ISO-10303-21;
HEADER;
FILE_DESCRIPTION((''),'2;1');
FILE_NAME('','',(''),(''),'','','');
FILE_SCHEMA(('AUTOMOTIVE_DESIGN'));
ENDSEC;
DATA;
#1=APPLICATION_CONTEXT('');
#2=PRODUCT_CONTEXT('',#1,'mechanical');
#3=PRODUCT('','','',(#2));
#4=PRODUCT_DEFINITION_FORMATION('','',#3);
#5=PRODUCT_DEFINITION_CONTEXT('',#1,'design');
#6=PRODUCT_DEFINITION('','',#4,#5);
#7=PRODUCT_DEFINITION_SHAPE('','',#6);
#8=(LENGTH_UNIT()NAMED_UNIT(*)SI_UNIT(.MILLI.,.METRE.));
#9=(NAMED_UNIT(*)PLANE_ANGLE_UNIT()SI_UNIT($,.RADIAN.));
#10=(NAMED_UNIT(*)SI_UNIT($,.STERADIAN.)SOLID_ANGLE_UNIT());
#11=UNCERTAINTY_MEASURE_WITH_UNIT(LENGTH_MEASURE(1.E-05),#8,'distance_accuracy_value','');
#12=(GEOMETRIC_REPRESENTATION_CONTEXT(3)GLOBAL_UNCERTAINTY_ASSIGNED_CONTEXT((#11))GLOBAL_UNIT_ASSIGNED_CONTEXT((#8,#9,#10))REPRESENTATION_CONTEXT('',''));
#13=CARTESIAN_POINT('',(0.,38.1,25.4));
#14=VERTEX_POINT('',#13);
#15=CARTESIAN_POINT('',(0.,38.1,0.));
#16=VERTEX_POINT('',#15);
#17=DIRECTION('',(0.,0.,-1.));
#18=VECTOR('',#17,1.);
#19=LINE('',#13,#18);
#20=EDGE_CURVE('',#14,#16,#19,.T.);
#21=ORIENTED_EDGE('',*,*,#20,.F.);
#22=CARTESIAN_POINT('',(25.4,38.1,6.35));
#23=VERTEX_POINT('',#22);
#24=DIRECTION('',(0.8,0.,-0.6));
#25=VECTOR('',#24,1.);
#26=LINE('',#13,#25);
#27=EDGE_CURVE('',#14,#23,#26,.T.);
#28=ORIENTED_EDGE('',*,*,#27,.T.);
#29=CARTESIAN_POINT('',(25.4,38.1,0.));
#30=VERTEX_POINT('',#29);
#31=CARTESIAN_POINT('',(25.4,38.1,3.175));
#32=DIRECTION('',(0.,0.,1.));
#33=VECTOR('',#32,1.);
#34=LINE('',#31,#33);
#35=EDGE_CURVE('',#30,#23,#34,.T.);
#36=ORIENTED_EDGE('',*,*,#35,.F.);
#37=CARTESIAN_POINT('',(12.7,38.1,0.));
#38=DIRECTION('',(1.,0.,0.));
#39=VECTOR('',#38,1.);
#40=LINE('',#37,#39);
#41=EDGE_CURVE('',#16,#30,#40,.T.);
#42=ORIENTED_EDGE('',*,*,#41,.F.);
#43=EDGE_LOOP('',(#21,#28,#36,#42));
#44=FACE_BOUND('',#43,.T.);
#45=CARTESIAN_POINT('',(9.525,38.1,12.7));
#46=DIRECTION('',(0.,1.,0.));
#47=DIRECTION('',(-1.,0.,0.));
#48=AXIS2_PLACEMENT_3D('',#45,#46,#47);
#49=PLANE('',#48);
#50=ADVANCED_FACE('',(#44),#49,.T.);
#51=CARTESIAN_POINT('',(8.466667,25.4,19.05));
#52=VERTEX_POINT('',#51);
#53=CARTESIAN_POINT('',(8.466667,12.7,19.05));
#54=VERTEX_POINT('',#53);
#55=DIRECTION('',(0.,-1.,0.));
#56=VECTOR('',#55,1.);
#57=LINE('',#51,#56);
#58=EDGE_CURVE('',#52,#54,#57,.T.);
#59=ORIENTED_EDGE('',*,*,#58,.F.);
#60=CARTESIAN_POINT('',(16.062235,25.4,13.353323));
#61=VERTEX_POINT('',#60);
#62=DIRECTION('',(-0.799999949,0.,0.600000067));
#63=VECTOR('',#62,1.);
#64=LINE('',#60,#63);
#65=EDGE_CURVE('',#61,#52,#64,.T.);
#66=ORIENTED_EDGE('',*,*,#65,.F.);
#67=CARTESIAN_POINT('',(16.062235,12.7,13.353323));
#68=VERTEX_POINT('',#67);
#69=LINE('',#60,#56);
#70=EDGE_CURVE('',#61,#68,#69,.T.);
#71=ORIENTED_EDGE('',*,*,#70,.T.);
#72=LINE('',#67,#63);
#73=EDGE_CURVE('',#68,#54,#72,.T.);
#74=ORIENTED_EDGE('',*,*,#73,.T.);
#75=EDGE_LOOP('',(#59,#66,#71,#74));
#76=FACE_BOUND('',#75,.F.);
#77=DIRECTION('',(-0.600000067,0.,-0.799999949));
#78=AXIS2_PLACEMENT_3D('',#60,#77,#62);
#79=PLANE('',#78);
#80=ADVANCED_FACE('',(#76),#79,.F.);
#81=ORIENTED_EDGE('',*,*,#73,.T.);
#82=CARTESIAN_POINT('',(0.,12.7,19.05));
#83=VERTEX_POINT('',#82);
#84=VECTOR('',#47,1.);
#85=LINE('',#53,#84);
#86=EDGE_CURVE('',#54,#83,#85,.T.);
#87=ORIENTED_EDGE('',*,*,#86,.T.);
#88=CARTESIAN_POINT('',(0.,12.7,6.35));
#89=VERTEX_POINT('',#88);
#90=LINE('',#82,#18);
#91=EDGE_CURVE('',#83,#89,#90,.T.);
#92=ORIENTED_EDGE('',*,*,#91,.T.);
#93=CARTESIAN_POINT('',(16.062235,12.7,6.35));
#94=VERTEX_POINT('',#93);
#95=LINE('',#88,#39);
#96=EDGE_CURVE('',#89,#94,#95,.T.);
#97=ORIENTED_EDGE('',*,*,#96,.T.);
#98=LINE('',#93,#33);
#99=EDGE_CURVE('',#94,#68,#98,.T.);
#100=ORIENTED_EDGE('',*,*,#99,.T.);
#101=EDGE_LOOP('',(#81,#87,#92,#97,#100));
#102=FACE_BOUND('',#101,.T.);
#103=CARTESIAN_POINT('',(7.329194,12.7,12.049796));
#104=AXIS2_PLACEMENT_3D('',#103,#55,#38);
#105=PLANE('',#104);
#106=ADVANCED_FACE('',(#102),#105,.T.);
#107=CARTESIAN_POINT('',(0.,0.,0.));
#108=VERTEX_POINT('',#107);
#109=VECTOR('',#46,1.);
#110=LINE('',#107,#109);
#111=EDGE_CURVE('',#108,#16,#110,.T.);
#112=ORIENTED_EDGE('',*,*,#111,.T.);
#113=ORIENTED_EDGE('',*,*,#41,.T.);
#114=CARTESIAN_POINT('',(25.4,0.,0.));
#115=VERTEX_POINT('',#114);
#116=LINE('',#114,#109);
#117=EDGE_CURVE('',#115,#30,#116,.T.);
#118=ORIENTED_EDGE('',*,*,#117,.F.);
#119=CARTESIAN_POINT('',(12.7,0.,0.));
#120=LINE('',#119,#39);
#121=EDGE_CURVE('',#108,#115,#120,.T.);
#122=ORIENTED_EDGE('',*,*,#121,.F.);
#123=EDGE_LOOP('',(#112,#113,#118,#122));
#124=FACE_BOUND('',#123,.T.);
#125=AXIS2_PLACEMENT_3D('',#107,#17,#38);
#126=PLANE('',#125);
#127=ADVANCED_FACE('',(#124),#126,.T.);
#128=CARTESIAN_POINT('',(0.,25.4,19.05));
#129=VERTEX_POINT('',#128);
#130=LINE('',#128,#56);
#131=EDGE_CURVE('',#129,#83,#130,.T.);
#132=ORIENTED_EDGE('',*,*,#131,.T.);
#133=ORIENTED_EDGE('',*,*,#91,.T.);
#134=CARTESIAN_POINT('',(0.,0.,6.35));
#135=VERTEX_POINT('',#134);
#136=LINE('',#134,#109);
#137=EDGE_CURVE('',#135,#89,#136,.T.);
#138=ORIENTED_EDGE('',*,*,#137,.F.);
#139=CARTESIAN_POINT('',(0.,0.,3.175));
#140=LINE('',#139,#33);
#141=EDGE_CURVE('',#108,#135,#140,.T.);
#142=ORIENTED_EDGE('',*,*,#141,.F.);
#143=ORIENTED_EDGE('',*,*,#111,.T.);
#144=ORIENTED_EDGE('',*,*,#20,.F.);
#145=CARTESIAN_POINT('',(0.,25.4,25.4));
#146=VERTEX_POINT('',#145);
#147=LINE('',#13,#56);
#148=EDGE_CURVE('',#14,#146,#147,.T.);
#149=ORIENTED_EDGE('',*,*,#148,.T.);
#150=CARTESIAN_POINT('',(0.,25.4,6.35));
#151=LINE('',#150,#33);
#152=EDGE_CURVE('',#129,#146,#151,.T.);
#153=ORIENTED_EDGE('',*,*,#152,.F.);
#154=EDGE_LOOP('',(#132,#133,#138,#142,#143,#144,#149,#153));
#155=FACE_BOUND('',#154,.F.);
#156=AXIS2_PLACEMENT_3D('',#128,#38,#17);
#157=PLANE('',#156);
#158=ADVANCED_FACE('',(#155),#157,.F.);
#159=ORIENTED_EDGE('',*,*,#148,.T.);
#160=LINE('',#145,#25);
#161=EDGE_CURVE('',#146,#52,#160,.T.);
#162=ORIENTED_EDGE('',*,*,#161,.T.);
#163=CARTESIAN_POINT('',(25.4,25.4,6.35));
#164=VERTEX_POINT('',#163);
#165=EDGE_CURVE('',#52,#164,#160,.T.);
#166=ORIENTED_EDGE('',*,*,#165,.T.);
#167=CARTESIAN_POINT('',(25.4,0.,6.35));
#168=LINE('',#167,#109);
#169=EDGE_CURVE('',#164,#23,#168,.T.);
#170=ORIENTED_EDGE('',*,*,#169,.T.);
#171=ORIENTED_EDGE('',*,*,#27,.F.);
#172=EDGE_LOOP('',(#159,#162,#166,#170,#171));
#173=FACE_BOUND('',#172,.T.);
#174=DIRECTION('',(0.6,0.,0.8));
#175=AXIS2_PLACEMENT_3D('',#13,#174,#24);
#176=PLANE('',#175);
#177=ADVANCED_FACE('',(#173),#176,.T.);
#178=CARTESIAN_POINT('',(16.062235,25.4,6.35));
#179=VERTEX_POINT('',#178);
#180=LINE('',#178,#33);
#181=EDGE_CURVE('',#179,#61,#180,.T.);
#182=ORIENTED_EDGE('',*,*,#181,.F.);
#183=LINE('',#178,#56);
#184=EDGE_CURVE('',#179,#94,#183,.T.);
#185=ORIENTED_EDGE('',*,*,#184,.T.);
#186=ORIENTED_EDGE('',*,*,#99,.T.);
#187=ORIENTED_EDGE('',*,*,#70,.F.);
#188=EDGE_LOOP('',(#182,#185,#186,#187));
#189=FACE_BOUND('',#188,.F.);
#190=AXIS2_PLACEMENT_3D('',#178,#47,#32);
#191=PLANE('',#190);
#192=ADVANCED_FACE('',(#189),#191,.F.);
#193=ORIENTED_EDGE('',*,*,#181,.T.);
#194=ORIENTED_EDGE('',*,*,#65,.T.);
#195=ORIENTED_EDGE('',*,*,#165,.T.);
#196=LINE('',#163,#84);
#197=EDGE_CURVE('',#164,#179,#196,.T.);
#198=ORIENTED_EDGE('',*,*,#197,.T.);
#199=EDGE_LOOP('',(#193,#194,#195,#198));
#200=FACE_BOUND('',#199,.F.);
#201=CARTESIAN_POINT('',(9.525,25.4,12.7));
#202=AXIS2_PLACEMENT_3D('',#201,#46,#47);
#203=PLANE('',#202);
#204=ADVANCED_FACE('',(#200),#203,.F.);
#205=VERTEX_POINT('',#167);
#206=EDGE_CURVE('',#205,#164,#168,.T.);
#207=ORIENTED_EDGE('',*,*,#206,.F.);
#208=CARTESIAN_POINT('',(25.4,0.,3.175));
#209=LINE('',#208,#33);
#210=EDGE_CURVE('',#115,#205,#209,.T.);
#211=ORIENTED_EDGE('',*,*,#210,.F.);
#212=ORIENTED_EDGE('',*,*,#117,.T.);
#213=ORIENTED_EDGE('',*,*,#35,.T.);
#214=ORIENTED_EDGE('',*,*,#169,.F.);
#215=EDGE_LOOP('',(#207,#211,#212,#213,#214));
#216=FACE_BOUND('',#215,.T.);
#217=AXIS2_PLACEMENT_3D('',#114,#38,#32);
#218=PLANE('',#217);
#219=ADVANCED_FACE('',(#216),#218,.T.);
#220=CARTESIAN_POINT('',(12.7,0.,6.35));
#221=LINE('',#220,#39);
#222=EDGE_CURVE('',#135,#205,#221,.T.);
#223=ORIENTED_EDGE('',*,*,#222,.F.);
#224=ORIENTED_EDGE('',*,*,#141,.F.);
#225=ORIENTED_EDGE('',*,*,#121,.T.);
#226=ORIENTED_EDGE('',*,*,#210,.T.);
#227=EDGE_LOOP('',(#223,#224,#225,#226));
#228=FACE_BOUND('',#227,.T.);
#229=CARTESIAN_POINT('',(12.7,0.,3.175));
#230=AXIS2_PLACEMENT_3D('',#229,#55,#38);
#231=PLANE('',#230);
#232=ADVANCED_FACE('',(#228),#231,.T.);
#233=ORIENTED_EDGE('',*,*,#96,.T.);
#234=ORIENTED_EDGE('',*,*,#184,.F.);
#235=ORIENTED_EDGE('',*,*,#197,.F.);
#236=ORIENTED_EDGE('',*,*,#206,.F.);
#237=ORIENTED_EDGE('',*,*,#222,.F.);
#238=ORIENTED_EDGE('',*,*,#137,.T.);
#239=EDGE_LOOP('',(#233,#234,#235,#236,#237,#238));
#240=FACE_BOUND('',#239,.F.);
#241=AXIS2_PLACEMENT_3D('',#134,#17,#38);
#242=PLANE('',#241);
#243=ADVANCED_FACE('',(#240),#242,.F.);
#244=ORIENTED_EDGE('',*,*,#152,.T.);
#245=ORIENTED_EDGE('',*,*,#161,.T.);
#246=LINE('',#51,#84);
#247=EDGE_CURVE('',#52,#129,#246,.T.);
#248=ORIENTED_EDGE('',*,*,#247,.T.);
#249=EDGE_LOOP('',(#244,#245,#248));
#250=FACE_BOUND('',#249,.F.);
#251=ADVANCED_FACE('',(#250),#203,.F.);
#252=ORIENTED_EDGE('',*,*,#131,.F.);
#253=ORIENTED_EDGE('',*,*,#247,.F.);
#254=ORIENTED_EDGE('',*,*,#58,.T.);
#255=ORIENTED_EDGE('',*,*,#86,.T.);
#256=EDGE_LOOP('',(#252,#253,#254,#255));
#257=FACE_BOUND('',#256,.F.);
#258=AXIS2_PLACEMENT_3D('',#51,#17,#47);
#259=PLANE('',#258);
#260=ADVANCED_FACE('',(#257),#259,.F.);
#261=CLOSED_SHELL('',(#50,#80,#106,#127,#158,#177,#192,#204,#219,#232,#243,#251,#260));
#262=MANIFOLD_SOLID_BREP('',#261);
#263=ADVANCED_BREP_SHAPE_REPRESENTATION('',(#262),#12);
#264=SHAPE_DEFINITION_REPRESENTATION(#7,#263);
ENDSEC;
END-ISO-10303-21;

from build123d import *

# Parameters (mm, degrees)
F0_W     = 25.4
F0_H     = 6.35
F1_DEPTH = 38.1
F3_DEPTH = 12.7
F5_DEPTH = 12.7


with BuildPart() as f1:
    # F0 (on Front) → F1 (new body)
    with BuildSketch(Plane.XZ):
        with Locations((12.7, 3.175)):
            Rectangle(F0_W, F0_H)
    extrude(amount=-F1_DEPTH)

    # F2 (on face) → F3 (join)
    with BuildSketch(Plane(origin=(0, 38.1, 0), x_dir=(-1, 0, 0), z_dir=(0, 1, 0))):
        Polygon((-25.4, 6.35), (0, 6.35), (0, 25.4), align=None)
    extrude(amount=-F3_DEPTH)

    # F4 (on face) → F5 (join)
    with BuildSketch(Plane.XZ.offset(-25.4)):
        Polygon((0, 19.05), (0, 6.35), (16.062235, 6.35), (16.062235, 13.353323), (8.466667, 19.05), align=None)
    extrude(amount=F5_DEPTH)


solid = f1.part
